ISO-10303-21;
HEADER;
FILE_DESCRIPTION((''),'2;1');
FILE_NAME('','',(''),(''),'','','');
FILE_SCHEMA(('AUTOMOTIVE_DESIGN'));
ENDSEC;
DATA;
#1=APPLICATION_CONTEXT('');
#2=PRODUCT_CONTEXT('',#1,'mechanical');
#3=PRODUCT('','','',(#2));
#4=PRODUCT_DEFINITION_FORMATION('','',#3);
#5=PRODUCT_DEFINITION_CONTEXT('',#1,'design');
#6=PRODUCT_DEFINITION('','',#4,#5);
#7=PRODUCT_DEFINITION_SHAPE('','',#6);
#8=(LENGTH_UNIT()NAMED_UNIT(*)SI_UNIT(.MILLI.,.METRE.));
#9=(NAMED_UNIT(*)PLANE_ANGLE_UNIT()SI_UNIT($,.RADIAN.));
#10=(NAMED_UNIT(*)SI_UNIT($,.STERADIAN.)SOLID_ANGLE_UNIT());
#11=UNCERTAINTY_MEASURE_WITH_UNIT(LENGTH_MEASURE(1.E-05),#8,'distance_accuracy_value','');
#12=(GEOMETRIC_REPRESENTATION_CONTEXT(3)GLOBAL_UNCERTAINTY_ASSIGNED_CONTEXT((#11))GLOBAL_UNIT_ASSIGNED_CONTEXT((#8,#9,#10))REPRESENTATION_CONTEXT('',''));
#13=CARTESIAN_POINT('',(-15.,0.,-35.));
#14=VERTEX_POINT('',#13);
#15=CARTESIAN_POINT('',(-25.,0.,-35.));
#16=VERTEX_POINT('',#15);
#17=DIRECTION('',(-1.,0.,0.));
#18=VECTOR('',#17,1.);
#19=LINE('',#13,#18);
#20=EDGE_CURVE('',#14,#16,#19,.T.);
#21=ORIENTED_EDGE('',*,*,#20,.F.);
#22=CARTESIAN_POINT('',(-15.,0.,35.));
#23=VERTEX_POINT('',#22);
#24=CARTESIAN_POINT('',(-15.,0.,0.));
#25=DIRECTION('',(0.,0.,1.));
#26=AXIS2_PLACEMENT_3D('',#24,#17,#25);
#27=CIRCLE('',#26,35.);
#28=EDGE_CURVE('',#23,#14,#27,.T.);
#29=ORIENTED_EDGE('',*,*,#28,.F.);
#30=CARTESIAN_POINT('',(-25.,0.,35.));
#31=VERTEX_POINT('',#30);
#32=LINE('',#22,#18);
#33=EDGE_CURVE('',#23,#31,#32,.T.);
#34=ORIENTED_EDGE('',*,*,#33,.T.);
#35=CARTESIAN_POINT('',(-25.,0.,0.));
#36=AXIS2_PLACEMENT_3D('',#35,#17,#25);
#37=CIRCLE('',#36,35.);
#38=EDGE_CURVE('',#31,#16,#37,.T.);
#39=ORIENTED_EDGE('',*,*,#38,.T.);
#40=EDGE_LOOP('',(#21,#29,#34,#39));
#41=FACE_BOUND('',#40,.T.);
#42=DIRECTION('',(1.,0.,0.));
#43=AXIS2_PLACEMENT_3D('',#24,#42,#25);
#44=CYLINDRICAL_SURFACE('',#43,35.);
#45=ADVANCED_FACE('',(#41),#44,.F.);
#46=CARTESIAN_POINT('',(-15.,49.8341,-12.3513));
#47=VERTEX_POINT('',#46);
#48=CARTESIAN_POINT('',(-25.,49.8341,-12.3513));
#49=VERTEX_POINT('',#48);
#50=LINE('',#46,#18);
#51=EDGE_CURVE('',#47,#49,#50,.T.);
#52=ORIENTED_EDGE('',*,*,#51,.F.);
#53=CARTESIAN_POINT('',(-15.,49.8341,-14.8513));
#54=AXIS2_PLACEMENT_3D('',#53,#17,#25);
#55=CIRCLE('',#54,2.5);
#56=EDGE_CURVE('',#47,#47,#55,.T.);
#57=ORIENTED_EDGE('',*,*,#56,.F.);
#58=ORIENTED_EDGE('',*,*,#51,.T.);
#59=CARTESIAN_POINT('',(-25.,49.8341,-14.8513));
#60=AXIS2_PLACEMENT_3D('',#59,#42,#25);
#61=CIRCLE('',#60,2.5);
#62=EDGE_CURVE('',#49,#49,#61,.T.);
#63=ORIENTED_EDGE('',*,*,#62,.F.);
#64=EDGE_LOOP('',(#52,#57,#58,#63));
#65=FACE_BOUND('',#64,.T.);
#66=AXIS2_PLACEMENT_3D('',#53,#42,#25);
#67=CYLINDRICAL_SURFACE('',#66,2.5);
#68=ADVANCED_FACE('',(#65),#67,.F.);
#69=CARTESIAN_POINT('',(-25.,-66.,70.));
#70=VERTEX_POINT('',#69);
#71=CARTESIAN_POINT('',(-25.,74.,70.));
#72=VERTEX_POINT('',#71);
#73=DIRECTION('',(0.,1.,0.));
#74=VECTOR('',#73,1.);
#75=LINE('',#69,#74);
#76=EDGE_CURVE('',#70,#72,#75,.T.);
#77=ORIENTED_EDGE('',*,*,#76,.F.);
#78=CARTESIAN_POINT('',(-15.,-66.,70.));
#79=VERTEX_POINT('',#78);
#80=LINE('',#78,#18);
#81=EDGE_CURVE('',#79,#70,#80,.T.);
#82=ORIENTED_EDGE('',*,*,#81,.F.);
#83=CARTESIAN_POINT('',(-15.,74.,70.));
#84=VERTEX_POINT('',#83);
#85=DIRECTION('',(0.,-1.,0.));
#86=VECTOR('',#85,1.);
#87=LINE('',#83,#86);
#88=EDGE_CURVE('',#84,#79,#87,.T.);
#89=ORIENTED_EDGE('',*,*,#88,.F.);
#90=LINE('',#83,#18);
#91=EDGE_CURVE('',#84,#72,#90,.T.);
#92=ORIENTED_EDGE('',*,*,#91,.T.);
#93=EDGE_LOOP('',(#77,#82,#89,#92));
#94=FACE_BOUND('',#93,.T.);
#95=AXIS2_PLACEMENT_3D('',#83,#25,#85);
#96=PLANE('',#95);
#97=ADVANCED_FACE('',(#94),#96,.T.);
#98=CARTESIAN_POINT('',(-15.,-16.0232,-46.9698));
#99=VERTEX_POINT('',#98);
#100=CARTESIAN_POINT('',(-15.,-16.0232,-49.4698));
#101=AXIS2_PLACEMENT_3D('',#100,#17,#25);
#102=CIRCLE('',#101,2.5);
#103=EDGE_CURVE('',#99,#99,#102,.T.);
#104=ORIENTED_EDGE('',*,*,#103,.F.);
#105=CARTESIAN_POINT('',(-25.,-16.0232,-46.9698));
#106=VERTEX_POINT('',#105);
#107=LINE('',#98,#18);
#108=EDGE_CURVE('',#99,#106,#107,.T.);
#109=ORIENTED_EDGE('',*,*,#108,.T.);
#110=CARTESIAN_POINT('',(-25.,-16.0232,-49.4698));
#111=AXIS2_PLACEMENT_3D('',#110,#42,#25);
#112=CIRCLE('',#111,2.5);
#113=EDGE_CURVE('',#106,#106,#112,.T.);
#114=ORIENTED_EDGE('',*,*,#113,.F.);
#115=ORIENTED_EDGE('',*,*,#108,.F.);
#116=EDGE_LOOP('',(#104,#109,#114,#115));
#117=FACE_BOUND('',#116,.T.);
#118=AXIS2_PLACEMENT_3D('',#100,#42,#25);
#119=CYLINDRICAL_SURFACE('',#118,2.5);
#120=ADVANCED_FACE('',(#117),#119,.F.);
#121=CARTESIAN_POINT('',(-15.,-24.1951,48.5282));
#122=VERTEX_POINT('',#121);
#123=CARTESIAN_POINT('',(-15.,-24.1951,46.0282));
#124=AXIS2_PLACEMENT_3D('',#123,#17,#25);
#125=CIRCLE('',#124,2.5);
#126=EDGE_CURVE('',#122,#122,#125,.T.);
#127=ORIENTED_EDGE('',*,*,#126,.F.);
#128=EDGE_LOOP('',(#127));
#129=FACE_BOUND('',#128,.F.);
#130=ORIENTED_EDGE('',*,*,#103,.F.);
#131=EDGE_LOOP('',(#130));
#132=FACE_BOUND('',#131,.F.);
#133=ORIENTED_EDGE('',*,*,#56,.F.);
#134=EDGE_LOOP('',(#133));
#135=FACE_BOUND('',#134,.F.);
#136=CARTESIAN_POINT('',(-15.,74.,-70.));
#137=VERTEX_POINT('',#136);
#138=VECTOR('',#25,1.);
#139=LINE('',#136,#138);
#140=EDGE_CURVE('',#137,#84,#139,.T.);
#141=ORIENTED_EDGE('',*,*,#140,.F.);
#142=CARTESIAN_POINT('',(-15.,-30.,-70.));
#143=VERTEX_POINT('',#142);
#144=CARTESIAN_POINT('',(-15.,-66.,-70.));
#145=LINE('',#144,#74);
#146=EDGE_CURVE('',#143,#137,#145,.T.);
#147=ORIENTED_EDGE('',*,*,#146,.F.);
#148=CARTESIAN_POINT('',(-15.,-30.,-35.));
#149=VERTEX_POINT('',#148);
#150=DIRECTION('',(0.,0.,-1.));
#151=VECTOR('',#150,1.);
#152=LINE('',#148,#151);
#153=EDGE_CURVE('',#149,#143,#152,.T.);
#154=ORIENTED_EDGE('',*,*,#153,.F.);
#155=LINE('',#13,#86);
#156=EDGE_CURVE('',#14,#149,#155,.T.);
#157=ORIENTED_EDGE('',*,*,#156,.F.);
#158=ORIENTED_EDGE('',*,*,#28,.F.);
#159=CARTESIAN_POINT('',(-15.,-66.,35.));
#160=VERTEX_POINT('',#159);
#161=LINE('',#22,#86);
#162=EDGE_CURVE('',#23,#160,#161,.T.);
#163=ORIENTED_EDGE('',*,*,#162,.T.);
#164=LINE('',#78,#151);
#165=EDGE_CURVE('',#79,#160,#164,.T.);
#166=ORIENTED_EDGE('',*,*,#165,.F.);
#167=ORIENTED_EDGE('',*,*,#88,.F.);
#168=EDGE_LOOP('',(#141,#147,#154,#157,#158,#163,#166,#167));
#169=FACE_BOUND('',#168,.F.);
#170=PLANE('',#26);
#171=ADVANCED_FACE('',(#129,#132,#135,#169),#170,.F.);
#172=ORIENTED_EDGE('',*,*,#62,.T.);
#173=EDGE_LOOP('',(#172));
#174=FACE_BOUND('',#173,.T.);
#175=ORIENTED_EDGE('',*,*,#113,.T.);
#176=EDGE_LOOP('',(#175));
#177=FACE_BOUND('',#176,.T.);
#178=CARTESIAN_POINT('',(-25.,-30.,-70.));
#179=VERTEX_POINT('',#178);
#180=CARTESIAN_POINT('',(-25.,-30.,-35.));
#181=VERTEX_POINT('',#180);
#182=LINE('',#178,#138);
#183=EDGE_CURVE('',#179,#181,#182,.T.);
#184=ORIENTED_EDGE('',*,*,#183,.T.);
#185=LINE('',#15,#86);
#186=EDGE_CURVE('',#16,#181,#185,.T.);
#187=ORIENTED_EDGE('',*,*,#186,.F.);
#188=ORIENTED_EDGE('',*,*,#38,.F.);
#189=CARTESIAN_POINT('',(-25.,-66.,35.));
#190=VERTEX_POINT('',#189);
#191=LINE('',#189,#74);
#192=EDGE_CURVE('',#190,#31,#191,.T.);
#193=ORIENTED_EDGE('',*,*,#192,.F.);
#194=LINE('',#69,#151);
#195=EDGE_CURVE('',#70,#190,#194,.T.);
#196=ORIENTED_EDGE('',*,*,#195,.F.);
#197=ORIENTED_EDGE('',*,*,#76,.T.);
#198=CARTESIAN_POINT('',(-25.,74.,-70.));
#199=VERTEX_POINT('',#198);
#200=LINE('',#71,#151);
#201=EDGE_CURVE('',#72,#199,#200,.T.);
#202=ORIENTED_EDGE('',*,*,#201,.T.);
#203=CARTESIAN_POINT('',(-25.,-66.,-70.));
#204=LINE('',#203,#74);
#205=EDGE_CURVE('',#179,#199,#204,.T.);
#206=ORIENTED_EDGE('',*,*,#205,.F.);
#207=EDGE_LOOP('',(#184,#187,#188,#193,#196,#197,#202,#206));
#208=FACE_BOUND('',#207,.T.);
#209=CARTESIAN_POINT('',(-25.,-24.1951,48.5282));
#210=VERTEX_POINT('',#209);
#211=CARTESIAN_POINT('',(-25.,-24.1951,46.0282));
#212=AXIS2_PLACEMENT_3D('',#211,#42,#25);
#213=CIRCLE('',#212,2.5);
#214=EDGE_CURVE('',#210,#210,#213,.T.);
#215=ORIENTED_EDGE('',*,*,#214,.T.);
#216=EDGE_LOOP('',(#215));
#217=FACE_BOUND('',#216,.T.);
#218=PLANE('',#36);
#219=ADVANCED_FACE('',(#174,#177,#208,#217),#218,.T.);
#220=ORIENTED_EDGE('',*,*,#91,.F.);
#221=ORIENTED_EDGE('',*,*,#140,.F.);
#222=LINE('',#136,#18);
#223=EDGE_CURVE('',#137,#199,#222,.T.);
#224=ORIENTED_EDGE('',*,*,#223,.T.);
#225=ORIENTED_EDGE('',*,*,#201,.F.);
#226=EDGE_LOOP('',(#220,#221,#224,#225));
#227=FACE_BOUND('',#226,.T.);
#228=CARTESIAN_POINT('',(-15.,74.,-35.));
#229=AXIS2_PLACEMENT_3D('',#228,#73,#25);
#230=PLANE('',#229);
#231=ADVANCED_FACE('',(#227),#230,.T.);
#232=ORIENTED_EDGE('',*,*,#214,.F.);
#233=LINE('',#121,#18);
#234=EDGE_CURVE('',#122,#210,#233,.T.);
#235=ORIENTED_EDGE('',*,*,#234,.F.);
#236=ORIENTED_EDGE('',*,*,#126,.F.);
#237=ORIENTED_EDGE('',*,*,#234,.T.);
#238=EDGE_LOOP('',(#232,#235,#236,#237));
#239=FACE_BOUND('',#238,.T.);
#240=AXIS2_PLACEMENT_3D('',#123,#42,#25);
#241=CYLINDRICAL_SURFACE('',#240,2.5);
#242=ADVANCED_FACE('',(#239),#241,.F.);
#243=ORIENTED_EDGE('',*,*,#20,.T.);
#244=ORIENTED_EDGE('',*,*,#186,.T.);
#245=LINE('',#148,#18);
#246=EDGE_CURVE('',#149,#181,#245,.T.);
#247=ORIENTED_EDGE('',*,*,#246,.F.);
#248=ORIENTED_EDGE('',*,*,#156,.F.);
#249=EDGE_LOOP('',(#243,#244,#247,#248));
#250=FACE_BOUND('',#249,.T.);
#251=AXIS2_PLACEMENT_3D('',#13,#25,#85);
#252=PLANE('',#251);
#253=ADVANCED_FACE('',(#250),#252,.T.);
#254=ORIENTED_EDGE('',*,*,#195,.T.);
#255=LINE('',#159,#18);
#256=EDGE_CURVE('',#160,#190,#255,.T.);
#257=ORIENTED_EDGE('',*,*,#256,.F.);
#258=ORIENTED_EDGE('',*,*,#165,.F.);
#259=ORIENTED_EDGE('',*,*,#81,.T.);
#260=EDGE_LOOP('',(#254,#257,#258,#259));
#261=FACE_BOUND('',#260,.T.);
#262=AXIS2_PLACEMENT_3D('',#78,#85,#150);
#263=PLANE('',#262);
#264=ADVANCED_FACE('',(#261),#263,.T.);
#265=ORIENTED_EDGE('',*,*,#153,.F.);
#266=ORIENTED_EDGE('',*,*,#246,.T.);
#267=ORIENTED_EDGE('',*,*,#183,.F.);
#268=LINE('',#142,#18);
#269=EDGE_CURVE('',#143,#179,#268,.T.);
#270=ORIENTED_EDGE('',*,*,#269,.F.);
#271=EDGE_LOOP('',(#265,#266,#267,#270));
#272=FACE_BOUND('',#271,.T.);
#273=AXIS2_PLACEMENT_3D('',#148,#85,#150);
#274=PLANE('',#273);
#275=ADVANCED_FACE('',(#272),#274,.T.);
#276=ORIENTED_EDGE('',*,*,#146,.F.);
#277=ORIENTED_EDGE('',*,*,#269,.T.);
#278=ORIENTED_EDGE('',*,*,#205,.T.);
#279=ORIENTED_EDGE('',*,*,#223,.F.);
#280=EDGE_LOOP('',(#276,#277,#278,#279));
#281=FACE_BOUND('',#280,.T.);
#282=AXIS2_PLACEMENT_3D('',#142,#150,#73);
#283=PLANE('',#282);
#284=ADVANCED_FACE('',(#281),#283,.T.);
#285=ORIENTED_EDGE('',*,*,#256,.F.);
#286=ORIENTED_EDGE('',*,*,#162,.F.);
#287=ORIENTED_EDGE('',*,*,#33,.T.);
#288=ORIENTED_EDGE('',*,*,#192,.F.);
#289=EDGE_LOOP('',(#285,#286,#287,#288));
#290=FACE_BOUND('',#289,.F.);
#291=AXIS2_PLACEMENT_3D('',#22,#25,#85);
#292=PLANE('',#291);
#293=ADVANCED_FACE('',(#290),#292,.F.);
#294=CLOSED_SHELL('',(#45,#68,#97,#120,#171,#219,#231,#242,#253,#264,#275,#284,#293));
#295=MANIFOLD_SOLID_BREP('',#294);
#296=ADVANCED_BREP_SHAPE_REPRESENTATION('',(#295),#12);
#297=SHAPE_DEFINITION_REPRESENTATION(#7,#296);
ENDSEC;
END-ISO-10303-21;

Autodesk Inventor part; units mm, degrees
ref_plane "YZ Plane" through (0, 0, 0) normal (1, 0, 0) x (0, 1, 0)
ref_plane "РабПлоскость8" through (-15, 0, 0) normal (-1, 0, 0) x (0, 0, 1)
sketch "Эскиз6" plane through (-15, 0, 0) normal (-1, 0, 0) x (0, 0, 1)
  line L0 (0, 0) -> (0, -66)
  line L1 (0, -66) -> (-70, -66)
  line L2 (-70, -66) -> (-70, 74)
  line L3 (-70, 74) -> (70, 74)
  line L4 (70, 74) -> (70, -66)
  line L5 (70, -66) -> (0, -66)
  circle A0 centre (0, 0) radius 3 projected
  circle A1 centre (-14.8513, 49.8341) radius 2.5 projected
  circle A2 centre (0, 0) radius 52
  line L6 (70, 0) -> (70, 30)
  line L7 (70, 0) -> (70, -20)
  circle A3 centre (0, 0) radius 35
  circle A4 centre (0, 0) radius 35 projected
  line L8 (0, 0) -> (70, 0)
  circle A5 centre (-14.8513, 49.8341) radius 2.5
  line L9 (-70, 74) -> (-73, 74)
  line L10 (-70, 89) -> (-70, 74)
  line L11 (-70, 74) -> (-67, 74)
  line L12 (-67, 74) -> (-67, 89)
  line L13 (-67, 89) -> (-70, 89)
  line L14 (-70, -66) -> (-70, -81)
  line L15 (-70, -81) -> (-67, -81)
  line L16 (-67, -81) -> (-67, -66)
  circle A6 centre (46.0282, -24.1951) radius 2.5 projected
  circle A7 centre (46.0282, -24.1951) radius 2.5
  line L17 (0, 74) -> (-30, 74)
  line L18 (-35, 0) -> (-35, 74)
  line L19 (-35, 0) -> (-35, -30)
  line L20 (-35, -30) -> (-70, -30)
  line L21 (35, 0) -> (35, -66)
  arc A8 (-56.6592, -9.0725) -> (-41.4997, -22.0629) centre (-49.4698, -16.0232) ccw projected
  circle A9 centre (-49.4698, -16.0232) radius 2.5
  point P0 (-1.4375, -51.9801)
  point P1 (38.1911, 35.2908)
  point P2 (0, -35)
  point P3 (35, 0)
  dimension "d36" = 66
  dimension "d37" = 70
  dimension "d38" = 140
  dimension "d39" = 140
  dimension "d45" = 3
  dimension "d46" = 15
  dimension "d47" = 15
  dimension "d48" = 3
  dimension "d49" = 30
  dimension "d54" = 30
extrude "Выдавливание5" add sketch "Эскиз6" along normal blind 10 contours A3 L18 A2 A1 L8 | L8 A2 A6 L21 | L19 L20 A2 A9 L18 | L8 L4 L5 L21 A2 A6 | A2 A1 L18 L3 L4 L8 | L20 L2 L3 L18 A2 A9
ref_plane "РабПлоскость7" through (-25, 0, 0) normal (-1, 0, 0) x (0, 0, 1)
sketch "Эскиз7" plane through (-25, 0, 0) normal (-1, 0, 0) x (0, 0, 1)
  line L0 (-70, 74) -> (-70, -30) projected
  line L1 (-70, -30) -> (-35, -30) projected
  line L2 (-35, -30) -> (-35, 0) projected
  circle A0 centre (-49.4698, -16.0232) radius 2.5 projected
  arc A1 (35, 0) -> (-35, 0) centre (0, 0) ccw projected
  line L3 (70, 74) -> (-70, 74) projected
  line L4 (70, -66) -> (70, 74) projected
  line L5 (35, 0) -> (35, -66) projected
  line L6 (35, -66) -> (70, -66) projected
  circle A2 centre (46.0282, -24.1951) radius 2.5 projected
  circle A3 centre (-14.8513, 49.8341) radius 2.5 projected
  circle A4 centre (0, 0) radius 3 projected
  circle A5 centre (-14.8513, 49.8341) radius 2.5 projected
  circle A6 centre (0, 0) radius 52
  circle A7 centre (0, 0) radius 43.5 projected
  circle A8 centre (0, 0) radius 43.5 projected
  circle A9 centre (46.0282, -24.1951) radius 2.5 projected
  line L7 (0, 0) -> (46.0282, -24.1951)
  line L8 (46.0282, -24.1951) -> (46.0282, 0)
  line L9 (-14.8513, 49.8341) -> (0, 49.8341)
  arc A10 (28.4229, 37.4318) -> (-5.3572, 46.6937) centre (0, 0) ccw projected
  line L10 (0, 49.8341) -> (0, 0)
  circle A11 centre (-49.4698, -16.0232) radius 2.5 projected
  line L11 (0, 0) -> (-49.4698, -16.0232)
  line L12 (-49.4698, -16.0232) -> (-49.4995, -0.2197)
  circle A12 centre (-51.9995, -0.2244) radius 2.5 projected
  dimension "d57" = 104
  dimension "d55" = 104
  dimension "d56" = 140
  dimension "d58" = 35
  dimension "d59" = 87
  dimension "d60" = 24.1951
  dimension "d61" = 46.0282
  dimension "d62" = 49.8341
  dimension "d63" = 14.8513
  dimension "d64" = 15.8034
  dimension "d65" = 49.4999
properties part number "Двигатель ущербный"
